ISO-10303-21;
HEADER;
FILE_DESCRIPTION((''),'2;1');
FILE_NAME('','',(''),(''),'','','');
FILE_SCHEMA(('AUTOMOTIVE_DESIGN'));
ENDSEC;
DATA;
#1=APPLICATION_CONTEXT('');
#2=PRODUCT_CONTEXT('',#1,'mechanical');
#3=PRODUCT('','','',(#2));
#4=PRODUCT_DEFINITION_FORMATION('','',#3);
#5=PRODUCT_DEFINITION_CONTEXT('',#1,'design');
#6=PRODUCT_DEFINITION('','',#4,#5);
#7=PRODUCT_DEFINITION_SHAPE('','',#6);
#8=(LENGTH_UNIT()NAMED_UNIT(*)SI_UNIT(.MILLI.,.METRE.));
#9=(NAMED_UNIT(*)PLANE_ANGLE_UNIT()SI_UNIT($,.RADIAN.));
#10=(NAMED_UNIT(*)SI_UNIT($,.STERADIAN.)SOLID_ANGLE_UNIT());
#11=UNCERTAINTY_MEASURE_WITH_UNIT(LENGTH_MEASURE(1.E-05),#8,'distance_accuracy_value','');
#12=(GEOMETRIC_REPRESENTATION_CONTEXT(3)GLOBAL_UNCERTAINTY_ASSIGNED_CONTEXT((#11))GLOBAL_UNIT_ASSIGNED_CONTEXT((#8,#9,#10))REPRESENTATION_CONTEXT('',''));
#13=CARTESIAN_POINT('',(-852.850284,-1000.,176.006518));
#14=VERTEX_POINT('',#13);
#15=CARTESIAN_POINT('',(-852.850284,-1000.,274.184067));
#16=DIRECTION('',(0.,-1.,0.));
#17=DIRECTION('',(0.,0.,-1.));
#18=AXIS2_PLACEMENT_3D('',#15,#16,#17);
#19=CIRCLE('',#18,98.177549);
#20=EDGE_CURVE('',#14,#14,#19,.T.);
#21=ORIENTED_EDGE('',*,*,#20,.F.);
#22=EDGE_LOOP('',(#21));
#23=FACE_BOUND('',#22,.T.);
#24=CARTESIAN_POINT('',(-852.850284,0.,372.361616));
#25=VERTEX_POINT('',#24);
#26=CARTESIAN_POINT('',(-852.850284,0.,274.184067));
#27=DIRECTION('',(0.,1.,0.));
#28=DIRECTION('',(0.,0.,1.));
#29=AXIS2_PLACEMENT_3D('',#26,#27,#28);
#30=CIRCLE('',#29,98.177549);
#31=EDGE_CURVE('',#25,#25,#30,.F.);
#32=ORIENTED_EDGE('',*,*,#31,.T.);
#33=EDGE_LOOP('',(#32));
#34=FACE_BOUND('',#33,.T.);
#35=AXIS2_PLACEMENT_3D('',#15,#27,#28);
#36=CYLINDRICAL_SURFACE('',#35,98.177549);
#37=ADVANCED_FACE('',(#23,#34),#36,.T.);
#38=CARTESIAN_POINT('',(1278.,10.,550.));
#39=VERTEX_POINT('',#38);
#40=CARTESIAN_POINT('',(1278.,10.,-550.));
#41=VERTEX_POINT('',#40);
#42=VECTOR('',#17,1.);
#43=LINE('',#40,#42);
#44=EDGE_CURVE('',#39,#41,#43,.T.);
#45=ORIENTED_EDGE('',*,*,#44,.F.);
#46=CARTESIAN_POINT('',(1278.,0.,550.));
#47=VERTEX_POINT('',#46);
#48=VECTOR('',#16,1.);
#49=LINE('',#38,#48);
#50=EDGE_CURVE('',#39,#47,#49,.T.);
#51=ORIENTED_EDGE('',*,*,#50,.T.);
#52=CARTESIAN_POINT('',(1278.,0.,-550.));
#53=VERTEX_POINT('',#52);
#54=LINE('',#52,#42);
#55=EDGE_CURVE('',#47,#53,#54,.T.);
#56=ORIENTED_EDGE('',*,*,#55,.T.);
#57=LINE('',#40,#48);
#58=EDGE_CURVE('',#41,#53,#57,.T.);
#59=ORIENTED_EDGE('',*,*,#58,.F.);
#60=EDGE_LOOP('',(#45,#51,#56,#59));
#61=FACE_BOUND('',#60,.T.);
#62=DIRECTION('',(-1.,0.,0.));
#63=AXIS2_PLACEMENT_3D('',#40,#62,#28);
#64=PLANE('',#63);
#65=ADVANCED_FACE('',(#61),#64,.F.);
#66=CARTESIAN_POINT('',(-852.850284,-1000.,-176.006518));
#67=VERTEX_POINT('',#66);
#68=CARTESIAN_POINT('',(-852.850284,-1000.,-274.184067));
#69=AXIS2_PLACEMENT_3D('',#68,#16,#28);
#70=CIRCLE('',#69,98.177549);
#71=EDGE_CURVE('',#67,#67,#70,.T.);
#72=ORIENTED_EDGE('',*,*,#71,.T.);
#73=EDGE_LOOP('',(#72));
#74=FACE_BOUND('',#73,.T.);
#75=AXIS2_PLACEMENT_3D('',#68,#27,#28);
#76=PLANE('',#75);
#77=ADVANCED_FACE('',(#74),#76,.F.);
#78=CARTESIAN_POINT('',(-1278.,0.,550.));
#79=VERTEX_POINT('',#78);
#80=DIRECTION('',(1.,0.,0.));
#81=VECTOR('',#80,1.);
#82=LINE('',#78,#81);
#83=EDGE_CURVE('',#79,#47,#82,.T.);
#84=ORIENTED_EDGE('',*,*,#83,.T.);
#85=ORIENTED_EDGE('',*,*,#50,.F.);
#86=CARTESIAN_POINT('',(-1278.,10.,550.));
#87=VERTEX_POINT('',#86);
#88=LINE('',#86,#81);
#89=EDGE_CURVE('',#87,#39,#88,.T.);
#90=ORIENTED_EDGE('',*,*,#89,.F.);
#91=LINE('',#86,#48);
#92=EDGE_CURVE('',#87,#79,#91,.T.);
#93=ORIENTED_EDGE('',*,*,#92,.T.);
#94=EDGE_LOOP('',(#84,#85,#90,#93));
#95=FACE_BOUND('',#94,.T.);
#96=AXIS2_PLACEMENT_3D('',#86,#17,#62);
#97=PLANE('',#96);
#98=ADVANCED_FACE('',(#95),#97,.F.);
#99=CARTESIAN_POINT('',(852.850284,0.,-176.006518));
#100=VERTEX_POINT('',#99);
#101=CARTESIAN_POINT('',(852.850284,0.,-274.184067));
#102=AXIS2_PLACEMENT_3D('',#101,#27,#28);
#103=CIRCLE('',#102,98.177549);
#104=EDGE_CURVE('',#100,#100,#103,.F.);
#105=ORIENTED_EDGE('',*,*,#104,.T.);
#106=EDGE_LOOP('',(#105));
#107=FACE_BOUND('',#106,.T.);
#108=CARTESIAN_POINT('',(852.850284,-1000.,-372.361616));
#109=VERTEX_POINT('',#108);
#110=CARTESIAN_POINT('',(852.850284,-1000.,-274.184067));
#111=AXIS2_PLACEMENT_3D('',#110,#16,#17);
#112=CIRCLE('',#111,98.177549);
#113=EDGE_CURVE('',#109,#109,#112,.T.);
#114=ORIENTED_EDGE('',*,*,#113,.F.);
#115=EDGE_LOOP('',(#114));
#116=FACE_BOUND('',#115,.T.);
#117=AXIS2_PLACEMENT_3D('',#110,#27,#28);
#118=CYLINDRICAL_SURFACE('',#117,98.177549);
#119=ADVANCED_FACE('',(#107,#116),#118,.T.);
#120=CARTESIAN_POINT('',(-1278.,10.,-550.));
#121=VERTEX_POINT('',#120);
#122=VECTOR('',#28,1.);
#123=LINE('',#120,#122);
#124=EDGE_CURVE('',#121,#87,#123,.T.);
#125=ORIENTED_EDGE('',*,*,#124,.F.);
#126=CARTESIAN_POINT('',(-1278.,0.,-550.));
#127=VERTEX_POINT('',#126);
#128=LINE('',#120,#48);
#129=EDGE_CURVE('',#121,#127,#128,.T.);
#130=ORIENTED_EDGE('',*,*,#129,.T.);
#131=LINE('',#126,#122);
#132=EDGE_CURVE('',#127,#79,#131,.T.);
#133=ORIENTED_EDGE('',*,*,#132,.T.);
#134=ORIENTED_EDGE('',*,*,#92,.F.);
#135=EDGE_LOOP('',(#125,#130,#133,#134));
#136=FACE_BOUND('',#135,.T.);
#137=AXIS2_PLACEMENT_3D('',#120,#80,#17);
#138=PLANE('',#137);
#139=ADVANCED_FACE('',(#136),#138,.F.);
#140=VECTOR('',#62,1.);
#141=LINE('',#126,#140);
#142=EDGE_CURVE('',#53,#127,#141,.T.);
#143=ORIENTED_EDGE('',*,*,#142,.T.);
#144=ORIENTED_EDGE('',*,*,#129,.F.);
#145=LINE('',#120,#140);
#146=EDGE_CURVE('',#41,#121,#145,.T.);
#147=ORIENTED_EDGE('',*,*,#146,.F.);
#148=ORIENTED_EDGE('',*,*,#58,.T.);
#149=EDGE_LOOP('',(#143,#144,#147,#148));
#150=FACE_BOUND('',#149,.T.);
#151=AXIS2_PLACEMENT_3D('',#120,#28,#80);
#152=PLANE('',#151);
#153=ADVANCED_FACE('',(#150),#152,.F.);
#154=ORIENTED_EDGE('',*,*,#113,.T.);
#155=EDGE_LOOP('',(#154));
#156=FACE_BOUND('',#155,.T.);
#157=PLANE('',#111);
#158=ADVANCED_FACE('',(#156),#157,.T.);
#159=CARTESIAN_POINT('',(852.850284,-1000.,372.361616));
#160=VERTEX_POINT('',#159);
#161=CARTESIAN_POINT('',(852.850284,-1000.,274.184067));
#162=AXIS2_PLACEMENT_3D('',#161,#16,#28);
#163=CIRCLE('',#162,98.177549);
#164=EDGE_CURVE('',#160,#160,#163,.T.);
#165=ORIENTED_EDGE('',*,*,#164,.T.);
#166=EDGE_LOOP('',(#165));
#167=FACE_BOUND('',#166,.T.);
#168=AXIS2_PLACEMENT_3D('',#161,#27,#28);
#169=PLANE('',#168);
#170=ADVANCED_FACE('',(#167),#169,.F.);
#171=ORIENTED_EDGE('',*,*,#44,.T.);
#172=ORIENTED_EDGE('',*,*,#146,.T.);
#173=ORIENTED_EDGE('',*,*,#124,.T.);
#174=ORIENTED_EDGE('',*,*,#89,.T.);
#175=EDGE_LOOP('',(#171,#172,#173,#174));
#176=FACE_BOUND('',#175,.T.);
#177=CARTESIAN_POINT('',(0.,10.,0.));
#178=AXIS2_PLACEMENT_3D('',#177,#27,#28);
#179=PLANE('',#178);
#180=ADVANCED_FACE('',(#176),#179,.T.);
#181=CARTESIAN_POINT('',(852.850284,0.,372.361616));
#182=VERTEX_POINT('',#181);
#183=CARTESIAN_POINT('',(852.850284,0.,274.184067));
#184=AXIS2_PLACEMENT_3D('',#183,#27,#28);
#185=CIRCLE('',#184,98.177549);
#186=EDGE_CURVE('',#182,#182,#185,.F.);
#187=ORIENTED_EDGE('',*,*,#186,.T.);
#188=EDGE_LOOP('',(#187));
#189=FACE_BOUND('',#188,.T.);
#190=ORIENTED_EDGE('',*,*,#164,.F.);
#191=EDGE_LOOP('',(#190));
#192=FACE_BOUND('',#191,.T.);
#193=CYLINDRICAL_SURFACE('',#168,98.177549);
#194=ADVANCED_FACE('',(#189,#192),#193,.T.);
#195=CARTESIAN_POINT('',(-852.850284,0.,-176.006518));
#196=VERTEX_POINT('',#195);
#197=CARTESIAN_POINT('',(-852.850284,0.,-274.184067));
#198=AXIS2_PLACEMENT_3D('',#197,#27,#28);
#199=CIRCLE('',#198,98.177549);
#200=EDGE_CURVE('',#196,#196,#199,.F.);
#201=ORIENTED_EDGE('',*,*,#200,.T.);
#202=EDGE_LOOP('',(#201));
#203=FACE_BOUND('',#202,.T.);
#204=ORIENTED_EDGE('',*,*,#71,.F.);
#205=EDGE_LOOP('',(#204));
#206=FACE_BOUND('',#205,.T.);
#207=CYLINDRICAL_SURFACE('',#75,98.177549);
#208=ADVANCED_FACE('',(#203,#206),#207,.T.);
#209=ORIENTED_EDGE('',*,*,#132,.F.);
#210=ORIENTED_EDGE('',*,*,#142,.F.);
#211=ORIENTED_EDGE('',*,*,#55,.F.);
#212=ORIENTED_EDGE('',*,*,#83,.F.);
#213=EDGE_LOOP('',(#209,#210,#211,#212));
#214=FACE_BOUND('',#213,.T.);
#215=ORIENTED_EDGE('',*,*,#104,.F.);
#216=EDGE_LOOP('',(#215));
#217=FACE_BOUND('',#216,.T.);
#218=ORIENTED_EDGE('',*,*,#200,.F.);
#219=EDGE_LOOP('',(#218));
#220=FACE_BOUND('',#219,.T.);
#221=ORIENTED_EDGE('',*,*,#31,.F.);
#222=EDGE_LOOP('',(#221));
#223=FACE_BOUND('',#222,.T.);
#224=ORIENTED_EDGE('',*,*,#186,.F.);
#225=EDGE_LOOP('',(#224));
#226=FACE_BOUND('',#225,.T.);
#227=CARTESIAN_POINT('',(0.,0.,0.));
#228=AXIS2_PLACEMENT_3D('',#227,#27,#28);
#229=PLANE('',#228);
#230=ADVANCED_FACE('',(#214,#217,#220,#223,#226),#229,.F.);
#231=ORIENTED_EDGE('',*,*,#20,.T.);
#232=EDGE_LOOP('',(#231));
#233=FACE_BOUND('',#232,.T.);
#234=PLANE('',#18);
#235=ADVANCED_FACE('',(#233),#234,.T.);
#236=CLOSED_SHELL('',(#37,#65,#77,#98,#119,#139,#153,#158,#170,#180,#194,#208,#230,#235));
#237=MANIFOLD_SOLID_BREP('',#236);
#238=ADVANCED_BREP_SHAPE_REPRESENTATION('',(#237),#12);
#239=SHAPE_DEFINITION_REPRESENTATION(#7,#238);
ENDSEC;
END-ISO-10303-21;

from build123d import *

# Parameters (mm, degrees)
SKETCH_1_W      = 2556
SKETCH_1_H      = 1100
EXTRUDE_1_DEPTH = 10
SKETCH_2_R      = 98.177549011
EXTRUDE_2_DEPTH = 1000


with BuildPart() as part:
    # 스케치1 → 보스-돌출1 (new body)
    with BuildSketch(Plane(origin=(0, 0, 0), x_dir=(1, 0, 0), z_dir=(0, 1, 0))):
        Rectangle(SKETCH_1_W, SKETCH_1_H)
    extrude(amount=EXTRUDE_1_DEPTH)

    # 스케치2 → 보스-돌출2 (add)
    with BuildSketch(Plane(origin=(0, 0, 0), x_dir=(-1, 0, 0), z_dir=(0, -1, 0))):
        with Locations(Location((852.850283956, -274.184066796, 0), (0, 0, 270))):
            Circle(SKETCH_2_R)
        with Locations(Location((-852.850283956, -274.184066796, 0), (0, 0, 270))):
            Circle(SKETCH_2_R)
        with Locations(Location((-852.850283956, 274.184066796, 0), (0, 0, 270))):
            Circle(SKETCH_2_R)
        with Locations(Location((852.850283956, 274.184066796, 0), (0, 0, 270))):
            Circle(SKETCH_2_R)
    extrude(amount=EXTRUDE_2_DEPTH)


solid = part.part
